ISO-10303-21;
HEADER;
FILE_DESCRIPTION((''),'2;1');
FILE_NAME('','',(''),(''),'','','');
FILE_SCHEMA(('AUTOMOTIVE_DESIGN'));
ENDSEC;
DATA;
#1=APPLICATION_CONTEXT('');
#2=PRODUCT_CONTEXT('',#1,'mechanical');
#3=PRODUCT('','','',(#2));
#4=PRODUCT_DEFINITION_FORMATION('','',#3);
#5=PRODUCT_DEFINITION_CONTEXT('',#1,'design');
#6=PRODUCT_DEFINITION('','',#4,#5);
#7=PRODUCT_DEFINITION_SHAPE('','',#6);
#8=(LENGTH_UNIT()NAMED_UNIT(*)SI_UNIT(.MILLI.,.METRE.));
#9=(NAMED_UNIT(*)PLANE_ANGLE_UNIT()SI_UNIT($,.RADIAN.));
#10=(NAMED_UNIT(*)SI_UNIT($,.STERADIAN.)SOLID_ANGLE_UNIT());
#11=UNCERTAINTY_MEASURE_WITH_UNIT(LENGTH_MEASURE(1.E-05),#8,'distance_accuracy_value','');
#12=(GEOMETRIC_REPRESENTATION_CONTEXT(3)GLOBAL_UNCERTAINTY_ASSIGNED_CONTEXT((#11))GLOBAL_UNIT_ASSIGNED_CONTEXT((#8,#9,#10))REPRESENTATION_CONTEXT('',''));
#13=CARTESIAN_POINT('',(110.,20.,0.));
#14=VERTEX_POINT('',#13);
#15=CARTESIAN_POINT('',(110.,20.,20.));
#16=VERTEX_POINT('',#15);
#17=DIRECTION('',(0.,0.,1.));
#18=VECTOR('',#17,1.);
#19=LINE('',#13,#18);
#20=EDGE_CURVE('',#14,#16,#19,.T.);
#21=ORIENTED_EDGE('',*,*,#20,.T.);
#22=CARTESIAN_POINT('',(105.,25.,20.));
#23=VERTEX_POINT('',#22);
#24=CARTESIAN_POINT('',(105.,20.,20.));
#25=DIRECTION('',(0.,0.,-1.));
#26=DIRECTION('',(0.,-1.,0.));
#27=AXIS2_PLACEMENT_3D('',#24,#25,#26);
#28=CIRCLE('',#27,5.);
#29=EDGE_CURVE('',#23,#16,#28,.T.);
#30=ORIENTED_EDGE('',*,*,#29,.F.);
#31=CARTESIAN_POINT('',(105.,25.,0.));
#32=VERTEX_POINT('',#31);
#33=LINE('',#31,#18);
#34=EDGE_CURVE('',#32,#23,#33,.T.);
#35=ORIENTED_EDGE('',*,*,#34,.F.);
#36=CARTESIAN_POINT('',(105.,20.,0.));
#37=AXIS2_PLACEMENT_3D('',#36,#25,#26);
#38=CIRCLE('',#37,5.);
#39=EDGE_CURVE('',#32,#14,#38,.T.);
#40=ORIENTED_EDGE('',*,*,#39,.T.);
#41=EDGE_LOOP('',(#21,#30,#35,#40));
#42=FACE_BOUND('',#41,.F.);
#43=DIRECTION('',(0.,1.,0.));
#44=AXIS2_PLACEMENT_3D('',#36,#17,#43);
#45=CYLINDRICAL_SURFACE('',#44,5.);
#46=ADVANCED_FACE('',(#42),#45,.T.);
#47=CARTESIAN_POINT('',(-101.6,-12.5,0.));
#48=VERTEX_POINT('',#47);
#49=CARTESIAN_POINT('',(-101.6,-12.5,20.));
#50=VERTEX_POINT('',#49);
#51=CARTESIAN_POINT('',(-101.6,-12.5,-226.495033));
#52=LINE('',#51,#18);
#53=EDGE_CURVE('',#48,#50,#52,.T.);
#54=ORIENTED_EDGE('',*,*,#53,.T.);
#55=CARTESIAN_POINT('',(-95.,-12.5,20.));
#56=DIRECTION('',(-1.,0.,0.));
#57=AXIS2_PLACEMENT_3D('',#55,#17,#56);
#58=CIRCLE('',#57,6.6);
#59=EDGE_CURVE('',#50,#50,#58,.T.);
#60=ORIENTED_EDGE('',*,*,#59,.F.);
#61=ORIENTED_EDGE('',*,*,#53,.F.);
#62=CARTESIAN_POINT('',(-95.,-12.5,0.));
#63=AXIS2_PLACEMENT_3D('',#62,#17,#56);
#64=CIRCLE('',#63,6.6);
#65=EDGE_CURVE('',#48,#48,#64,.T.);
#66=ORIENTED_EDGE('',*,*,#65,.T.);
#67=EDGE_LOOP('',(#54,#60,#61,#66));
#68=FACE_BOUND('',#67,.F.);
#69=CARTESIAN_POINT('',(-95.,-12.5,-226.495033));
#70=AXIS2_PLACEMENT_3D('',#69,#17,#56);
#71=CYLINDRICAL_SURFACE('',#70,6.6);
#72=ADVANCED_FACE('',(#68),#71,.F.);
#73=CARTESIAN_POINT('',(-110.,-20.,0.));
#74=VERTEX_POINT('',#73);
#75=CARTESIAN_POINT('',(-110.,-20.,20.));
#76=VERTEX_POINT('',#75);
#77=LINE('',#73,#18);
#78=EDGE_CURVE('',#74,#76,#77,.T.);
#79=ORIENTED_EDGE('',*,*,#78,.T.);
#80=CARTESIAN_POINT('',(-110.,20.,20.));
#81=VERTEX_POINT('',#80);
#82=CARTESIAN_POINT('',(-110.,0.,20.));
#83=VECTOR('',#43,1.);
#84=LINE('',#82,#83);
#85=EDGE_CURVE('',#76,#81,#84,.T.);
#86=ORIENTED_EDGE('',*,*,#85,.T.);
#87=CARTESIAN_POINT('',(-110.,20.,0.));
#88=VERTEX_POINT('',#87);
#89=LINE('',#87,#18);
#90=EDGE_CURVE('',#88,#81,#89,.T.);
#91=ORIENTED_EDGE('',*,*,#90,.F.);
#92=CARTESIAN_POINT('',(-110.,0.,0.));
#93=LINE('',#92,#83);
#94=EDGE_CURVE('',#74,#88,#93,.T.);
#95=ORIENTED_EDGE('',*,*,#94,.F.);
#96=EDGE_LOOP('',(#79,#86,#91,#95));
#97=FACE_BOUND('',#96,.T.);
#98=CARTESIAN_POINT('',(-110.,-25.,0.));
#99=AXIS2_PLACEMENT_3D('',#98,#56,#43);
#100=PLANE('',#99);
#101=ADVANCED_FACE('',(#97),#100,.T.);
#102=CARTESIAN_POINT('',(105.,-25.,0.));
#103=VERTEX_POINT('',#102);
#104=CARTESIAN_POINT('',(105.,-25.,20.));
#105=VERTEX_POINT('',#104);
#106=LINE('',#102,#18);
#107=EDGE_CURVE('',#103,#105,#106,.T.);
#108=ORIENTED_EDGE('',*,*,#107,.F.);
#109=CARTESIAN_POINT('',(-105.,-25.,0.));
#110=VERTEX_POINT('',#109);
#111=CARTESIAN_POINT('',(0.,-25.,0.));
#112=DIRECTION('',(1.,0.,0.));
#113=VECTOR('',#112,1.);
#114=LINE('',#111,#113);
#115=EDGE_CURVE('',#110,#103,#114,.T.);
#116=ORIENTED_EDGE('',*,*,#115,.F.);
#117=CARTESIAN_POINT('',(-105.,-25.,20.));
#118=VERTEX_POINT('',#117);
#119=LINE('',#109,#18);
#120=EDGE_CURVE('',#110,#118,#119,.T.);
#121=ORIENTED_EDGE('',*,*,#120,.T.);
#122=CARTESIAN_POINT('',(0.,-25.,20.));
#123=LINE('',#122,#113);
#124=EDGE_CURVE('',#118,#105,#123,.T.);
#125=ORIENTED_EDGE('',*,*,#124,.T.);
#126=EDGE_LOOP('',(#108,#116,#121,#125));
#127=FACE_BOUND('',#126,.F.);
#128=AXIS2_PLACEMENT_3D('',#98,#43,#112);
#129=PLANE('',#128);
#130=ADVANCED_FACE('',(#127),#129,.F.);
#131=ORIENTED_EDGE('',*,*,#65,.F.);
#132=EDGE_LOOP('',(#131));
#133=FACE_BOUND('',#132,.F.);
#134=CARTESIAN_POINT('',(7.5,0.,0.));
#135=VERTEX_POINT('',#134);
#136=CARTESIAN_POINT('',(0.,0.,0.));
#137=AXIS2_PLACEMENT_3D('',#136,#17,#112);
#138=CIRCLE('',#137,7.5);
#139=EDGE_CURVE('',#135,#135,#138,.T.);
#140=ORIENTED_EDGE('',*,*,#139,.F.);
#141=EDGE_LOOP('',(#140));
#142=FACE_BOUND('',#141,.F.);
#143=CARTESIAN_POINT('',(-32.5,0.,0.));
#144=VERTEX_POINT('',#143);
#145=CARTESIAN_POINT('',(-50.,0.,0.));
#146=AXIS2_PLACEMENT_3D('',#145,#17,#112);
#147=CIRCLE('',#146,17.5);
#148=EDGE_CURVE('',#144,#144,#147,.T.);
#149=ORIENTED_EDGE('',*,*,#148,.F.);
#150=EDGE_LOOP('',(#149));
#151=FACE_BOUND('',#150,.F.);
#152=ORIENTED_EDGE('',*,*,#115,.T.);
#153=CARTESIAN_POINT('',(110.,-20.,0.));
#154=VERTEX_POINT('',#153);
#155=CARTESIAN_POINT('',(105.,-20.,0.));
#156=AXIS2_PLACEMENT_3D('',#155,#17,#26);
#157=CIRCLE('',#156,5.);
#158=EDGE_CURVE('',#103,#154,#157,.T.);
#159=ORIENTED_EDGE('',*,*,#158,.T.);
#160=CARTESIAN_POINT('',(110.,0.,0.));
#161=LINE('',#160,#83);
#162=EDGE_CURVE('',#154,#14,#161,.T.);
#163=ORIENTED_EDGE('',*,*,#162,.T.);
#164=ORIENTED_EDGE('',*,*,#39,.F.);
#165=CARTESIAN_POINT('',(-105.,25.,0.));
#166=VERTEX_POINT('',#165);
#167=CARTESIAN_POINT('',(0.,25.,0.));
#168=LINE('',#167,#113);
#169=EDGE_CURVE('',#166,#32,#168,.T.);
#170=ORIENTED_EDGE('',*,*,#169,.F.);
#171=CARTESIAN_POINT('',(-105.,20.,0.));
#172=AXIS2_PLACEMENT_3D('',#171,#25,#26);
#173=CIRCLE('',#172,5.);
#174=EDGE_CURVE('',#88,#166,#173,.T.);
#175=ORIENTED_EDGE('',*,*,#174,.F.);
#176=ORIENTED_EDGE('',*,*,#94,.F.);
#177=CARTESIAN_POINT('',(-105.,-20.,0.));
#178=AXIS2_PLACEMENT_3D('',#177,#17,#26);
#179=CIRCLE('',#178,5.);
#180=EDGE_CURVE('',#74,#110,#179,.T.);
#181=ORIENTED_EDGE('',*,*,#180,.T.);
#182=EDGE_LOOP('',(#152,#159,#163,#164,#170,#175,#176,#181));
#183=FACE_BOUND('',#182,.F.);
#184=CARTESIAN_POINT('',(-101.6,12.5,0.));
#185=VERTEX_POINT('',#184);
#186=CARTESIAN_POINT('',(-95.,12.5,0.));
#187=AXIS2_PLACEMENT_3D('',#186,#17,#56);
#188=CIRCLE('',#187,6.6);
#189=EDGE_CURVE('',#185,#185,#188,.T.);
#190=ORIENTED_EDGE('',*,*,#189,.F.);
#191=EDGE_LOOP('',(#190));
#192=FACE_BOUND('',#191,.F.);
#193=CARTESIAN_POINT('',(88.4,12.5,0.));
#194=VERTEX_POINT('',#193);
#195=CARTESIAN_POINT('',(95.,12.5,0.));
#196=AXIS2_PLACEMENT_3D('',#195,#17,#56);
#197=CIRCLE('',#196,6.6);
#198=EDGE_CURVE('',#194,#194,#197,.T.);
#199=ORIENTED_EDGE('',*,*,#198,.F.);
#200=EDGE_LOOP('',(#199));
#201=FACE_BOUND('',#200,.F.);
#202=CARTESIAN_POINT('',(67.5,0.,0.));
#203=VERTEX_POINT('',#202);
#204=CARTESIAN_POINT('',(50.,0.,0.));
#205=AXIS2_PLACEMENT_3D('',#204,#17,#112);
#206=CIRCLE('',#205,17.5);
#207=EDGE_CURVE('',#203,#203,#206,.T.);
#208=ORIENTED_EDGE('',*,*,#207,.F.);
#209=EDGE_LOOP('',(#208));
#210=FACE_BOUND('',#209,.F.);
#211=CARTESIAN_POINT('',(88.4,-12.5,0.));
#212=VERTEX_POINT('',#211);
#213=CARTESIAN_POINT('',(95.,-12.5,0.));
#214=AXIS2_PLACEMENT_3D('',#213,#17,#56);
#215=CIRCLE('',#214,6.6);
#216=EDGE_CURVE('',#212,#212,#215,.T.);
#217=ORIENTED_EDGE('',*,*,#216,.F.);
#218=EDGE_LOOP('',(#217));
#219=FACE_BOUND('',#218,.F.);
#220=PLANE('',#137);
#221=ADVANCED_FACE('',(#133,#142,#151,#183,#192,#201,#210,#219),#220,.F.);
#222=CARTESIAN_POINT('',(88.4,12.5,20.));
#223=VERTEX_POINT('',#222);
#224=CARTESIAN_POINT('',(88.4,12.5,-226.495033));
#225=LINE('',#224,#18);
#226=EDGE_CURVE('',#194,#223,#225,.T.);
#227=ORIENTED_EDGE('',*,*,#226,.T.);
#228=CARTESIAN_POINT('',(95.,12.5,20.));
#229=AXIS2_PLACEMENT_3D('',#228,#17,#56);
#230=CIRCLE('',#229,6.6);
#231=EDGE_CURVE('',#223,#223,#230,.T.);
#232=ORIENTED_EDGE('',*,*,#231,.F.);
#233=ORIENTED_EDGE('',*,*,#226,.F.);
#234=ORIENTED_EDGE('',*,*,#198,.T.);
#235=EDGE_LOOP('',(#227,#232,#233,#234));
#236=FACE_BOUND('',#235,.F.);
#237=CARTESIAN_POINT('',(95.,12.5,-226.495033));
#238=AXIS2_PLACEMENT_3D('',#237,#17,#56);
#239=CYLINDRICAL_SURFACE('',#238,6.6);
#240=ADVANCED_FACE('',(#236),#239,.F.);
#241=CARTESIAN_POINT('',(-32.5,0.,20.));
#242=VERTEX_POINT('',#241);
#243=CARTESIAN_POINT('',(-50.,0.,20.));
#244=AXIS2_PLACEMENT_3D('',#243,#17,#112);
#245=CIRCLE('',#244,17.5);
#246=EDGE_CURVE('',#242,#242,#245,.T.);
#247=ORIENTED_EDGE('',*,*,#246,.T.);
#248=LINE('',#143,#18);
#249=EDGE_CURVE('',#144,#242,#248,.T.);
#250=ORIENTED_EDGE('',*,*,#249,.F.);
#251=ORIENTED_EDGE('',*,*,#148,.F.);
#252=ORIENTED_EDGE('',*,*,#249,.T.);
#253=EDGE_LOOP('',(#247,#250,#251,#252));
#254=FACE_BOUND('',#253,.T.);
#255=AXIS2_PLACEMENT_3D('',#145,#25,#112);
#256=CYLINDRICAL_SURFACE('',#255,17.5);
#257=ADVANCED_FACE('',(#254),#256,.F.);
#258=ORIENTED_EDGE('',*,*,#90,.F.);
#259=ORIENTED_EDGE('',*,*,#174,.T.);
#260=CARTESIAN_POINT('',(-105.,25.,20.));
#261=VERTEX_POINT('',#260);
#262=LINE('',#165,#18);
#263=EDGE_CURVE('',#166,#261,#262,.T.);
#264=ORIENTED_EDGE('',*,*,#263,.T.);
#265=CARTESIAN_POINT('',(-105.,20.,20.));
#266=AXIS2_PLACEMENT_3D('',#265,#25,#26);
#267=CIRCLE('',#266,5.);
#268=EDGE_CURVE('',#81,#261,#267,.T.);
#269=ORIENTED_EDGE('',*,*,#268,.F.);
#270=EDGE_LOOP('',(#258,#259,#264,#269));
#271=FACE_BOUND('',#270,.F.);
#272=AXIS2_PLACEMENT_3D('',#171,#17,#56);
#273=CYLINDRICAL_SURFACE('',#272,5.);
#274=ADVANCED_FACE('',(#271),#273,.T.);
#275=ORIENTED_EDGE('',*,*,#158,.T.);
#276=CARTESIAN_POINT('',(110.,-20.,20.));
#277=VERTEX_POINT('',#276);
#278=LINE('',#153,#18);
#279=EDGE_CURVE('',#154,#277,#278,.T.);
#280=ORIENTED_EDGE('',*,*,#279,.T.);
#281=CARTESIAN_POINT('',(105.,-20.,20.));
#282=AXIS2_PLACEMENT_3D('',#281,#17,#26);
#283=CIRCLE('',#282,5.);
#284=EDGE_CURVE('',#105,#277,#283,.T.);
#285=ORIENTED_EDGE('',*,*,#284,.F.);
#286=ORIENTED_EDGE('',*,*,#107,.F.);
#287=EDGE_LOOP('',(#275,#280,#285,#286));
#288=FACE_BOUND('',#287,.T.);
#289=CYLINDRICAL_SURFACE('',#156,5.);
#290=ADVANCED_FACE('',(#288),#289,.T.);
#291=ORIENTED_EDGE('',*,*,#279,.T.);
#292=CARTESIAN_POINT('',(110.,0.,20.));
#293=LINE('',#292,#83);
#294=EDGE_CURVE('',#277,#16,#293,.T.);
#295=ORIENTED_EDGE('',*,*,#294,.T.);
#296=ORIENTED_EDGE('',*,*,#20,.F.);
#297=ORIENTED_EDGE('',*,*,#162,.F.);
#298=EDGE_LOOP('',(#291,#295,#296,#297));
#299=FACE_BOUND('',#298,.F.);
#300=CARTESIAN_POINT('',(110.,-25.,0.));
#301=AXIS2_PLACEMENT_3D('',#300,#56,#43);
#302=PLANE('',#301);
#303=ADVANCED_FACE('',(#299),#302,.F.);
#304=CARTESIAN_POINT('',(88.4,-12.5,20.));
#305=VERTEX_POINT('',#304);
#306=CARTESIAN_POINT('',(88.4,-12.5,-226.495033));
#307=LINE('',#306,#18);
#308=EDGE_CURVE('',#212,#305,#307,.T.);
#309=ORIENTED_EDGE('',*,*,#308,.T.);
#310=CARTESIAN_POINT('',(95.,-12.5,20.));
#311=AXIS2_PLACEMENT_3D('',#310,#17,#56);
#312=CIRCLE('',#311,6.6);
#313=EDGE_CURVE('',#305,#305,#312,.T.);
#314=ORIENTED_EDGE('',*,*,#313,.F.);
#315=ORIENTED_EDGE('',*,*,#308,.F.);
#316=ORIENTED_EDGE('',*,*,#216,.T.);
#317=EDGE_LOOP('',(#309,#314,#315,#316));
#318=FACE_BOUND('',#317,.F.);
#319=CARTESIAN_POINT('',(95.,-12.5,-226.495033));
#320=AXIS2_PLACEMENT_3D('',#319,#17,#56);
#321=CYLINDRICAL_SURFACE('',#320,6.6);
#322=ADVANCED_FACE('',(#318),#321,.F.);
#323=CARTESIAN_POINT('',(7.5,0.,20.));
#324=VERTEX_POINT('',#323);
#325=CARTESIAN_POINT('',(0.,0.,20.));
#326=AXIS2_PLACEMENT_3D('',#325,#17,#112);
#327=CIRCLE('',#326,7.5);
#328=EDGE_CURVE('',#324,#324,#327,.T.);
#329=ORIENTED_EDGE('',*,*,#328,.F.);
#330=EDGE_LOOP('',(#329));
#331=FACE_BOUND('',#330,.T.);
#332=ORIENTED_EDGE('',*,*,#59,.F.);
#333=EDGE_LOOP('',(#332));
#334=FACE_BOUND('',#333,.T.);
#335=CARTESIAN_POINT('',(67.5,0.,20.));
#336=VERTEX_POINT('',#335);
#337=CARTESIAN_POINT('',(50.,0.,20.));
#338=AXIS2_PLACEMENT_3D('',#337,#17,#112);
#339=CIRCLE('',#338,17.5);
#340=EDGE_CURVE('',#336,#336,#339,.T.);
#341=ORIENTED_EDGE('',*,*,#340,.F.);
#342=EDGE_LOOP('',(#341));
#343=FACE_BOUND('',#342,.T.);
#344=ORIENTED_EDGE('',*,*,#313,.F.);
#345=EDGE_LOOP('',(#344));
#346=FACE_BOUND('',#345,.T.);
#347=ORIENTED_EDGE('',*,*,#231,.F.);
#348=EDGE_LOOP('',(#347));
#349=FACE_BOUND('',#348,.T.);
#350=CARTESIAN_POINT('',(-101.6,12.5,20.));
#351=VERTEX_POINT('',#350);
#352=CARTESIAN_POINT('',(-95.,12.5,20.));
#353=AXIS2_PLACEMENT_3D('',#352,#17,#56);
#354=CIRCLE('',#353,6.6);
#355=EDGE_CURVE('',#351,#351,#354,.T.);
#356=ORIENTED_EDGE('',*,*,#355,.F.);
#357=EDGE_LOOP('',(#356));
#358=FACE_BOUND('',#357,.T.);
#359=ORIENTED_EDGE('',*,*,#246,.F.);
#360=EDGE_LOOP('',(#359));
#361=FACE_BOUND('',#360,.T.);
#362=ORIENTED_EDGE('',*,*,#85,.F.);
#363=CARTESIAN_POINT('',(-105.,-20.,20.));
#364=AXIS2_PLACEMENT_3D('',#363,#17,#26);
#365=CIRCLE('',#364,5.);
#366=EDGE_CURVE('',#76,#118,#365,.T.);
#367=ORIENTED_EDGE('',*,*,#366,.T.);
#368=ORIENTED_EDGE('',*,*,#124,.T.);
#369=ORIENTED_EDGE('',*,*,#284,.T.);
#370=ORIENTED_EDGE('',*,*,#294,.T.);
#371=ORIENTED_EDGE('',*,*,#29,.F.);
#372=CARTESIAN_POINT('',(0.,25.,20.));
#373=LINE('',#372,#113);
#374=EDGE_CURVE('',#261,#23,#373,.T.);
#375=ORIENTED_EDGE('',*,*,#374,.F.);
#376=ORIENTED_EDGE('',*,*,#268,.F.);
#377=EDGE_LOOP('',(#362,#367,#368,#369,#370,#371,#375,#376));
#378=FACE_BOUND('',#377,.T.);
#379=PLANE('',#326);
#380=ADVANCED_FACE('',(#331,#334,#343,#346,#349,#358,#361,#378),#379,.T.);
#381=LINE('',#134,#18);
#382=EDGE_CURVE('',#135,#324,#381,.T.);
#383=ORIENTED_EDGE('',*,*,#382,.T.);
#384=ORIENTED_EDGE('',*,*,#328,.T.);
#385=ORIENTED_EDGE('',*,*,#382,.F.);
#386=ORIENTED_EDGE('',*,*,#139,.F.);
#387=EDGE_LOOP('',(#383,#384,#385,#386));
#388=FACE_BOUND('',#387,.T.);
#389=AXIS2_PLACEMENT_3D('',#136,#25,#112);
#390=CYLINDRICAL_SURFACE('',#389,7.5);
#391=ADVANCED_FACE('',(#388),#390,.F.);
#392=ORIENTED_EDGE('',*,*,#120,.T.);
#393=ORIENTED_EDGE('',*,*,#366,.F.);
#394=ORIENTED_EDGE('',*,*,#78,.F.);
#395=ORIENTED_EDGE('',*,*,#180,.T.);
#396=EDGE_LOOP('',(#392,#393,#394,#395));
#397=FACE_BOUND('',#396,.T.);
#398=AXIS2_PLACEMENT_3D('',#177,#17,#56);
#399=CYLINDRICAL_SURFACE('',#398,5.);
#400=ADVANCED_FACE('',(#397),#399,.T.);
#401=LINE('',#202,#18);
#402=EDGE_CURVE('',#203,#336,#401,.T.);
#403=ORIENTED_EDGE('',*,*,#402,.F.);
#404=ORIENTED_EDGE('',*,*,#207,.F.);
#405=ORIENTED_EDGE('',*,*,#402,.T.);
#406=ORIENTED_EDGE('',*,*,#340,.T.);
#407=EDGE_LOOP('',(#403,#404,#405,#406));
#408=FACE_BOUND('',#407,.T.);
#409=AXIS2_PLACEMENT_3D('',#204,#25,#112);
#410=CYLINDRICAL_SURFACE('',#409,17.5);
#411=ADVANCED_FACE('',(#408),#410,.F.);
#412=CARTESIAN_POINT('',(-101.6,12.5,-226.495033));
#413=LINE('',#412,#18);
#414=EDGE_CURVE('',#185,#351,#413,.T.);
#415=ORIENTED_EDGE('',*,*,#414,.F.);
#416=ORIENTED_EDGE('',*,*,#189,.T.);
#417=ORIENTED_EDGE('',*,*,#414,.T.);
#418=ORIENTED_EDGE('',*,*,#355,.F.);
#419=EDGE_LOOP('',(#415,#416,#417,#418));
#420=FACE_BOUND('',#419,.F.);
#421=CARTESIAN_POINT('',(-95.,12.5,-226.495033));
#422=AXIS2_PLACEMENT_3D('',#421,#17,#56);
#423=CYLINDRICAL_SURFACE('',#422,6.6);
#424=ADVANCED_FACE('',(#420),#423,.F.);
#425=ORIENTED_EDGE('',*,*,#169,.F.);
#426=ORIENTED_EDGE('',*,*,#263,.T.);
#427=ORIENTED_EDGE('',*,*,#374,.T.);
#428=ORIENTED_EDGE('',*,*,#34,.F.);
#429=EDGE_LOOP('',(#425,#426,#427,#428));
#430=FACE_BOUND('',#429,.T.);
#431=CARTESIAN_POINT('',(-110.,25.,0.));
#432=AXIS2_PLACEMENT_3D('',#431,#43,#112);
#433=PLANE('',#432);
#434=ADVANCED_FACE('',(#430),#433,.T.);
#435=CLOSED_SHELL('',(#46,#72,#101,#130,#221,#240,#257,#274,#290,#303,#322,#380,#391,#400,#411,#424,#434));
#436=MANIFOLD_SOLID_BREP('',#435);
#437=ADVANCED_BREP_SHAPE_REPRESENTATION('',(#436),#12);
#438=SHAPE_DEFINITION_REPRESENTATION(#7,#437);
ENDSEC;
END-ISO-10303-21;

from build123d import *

# Parameters (mm, degrees)
F0_W     = 220
F0_H     = 50
F0_R     = 17.5
F0_R_2   = 7.5
F1_DEPTH = 20
F2_D     = 13.2
F3_R     = 5


with BuildPart() as f1:
    # F0 (on Top) → F1 (new body)
    with BuildSketch(Plane.XY):
        Rectangle(F0_W, F0_H)
        with Locations((-50, 0)):
            Circle(F0_R, mode=Mode.SUBTRACT)
        Circle(F0_R_2, mode=Mode.SUBTRACT)
        with Locations((50, 0)):
            Circle(F0_R, mode=Mode.SUBTRACT)
    extrude(amount=F1_DEPTH)

    # F2 (through all)
    with Locations(Plane(origin=(0, 0, 0), x_dir=(1, 0, 0), z_dir=(0, 0, -1))):
        with Locations((-95, -12.5), (-95, 12.5), (95, -12.5), (95, 12.5)):
            Hole(F2_D / 2)

    # F3
    f3_edges = [f1.edges().sort_by_distance(p)[0] for p in [
        (-110, -25, 10),
        (110, -25, 10),
        (110, 25, 10),
        (-110, 25, 10),
    ]]
    fillet(f3_edges, radius=F3_R)


solid = f1.part
